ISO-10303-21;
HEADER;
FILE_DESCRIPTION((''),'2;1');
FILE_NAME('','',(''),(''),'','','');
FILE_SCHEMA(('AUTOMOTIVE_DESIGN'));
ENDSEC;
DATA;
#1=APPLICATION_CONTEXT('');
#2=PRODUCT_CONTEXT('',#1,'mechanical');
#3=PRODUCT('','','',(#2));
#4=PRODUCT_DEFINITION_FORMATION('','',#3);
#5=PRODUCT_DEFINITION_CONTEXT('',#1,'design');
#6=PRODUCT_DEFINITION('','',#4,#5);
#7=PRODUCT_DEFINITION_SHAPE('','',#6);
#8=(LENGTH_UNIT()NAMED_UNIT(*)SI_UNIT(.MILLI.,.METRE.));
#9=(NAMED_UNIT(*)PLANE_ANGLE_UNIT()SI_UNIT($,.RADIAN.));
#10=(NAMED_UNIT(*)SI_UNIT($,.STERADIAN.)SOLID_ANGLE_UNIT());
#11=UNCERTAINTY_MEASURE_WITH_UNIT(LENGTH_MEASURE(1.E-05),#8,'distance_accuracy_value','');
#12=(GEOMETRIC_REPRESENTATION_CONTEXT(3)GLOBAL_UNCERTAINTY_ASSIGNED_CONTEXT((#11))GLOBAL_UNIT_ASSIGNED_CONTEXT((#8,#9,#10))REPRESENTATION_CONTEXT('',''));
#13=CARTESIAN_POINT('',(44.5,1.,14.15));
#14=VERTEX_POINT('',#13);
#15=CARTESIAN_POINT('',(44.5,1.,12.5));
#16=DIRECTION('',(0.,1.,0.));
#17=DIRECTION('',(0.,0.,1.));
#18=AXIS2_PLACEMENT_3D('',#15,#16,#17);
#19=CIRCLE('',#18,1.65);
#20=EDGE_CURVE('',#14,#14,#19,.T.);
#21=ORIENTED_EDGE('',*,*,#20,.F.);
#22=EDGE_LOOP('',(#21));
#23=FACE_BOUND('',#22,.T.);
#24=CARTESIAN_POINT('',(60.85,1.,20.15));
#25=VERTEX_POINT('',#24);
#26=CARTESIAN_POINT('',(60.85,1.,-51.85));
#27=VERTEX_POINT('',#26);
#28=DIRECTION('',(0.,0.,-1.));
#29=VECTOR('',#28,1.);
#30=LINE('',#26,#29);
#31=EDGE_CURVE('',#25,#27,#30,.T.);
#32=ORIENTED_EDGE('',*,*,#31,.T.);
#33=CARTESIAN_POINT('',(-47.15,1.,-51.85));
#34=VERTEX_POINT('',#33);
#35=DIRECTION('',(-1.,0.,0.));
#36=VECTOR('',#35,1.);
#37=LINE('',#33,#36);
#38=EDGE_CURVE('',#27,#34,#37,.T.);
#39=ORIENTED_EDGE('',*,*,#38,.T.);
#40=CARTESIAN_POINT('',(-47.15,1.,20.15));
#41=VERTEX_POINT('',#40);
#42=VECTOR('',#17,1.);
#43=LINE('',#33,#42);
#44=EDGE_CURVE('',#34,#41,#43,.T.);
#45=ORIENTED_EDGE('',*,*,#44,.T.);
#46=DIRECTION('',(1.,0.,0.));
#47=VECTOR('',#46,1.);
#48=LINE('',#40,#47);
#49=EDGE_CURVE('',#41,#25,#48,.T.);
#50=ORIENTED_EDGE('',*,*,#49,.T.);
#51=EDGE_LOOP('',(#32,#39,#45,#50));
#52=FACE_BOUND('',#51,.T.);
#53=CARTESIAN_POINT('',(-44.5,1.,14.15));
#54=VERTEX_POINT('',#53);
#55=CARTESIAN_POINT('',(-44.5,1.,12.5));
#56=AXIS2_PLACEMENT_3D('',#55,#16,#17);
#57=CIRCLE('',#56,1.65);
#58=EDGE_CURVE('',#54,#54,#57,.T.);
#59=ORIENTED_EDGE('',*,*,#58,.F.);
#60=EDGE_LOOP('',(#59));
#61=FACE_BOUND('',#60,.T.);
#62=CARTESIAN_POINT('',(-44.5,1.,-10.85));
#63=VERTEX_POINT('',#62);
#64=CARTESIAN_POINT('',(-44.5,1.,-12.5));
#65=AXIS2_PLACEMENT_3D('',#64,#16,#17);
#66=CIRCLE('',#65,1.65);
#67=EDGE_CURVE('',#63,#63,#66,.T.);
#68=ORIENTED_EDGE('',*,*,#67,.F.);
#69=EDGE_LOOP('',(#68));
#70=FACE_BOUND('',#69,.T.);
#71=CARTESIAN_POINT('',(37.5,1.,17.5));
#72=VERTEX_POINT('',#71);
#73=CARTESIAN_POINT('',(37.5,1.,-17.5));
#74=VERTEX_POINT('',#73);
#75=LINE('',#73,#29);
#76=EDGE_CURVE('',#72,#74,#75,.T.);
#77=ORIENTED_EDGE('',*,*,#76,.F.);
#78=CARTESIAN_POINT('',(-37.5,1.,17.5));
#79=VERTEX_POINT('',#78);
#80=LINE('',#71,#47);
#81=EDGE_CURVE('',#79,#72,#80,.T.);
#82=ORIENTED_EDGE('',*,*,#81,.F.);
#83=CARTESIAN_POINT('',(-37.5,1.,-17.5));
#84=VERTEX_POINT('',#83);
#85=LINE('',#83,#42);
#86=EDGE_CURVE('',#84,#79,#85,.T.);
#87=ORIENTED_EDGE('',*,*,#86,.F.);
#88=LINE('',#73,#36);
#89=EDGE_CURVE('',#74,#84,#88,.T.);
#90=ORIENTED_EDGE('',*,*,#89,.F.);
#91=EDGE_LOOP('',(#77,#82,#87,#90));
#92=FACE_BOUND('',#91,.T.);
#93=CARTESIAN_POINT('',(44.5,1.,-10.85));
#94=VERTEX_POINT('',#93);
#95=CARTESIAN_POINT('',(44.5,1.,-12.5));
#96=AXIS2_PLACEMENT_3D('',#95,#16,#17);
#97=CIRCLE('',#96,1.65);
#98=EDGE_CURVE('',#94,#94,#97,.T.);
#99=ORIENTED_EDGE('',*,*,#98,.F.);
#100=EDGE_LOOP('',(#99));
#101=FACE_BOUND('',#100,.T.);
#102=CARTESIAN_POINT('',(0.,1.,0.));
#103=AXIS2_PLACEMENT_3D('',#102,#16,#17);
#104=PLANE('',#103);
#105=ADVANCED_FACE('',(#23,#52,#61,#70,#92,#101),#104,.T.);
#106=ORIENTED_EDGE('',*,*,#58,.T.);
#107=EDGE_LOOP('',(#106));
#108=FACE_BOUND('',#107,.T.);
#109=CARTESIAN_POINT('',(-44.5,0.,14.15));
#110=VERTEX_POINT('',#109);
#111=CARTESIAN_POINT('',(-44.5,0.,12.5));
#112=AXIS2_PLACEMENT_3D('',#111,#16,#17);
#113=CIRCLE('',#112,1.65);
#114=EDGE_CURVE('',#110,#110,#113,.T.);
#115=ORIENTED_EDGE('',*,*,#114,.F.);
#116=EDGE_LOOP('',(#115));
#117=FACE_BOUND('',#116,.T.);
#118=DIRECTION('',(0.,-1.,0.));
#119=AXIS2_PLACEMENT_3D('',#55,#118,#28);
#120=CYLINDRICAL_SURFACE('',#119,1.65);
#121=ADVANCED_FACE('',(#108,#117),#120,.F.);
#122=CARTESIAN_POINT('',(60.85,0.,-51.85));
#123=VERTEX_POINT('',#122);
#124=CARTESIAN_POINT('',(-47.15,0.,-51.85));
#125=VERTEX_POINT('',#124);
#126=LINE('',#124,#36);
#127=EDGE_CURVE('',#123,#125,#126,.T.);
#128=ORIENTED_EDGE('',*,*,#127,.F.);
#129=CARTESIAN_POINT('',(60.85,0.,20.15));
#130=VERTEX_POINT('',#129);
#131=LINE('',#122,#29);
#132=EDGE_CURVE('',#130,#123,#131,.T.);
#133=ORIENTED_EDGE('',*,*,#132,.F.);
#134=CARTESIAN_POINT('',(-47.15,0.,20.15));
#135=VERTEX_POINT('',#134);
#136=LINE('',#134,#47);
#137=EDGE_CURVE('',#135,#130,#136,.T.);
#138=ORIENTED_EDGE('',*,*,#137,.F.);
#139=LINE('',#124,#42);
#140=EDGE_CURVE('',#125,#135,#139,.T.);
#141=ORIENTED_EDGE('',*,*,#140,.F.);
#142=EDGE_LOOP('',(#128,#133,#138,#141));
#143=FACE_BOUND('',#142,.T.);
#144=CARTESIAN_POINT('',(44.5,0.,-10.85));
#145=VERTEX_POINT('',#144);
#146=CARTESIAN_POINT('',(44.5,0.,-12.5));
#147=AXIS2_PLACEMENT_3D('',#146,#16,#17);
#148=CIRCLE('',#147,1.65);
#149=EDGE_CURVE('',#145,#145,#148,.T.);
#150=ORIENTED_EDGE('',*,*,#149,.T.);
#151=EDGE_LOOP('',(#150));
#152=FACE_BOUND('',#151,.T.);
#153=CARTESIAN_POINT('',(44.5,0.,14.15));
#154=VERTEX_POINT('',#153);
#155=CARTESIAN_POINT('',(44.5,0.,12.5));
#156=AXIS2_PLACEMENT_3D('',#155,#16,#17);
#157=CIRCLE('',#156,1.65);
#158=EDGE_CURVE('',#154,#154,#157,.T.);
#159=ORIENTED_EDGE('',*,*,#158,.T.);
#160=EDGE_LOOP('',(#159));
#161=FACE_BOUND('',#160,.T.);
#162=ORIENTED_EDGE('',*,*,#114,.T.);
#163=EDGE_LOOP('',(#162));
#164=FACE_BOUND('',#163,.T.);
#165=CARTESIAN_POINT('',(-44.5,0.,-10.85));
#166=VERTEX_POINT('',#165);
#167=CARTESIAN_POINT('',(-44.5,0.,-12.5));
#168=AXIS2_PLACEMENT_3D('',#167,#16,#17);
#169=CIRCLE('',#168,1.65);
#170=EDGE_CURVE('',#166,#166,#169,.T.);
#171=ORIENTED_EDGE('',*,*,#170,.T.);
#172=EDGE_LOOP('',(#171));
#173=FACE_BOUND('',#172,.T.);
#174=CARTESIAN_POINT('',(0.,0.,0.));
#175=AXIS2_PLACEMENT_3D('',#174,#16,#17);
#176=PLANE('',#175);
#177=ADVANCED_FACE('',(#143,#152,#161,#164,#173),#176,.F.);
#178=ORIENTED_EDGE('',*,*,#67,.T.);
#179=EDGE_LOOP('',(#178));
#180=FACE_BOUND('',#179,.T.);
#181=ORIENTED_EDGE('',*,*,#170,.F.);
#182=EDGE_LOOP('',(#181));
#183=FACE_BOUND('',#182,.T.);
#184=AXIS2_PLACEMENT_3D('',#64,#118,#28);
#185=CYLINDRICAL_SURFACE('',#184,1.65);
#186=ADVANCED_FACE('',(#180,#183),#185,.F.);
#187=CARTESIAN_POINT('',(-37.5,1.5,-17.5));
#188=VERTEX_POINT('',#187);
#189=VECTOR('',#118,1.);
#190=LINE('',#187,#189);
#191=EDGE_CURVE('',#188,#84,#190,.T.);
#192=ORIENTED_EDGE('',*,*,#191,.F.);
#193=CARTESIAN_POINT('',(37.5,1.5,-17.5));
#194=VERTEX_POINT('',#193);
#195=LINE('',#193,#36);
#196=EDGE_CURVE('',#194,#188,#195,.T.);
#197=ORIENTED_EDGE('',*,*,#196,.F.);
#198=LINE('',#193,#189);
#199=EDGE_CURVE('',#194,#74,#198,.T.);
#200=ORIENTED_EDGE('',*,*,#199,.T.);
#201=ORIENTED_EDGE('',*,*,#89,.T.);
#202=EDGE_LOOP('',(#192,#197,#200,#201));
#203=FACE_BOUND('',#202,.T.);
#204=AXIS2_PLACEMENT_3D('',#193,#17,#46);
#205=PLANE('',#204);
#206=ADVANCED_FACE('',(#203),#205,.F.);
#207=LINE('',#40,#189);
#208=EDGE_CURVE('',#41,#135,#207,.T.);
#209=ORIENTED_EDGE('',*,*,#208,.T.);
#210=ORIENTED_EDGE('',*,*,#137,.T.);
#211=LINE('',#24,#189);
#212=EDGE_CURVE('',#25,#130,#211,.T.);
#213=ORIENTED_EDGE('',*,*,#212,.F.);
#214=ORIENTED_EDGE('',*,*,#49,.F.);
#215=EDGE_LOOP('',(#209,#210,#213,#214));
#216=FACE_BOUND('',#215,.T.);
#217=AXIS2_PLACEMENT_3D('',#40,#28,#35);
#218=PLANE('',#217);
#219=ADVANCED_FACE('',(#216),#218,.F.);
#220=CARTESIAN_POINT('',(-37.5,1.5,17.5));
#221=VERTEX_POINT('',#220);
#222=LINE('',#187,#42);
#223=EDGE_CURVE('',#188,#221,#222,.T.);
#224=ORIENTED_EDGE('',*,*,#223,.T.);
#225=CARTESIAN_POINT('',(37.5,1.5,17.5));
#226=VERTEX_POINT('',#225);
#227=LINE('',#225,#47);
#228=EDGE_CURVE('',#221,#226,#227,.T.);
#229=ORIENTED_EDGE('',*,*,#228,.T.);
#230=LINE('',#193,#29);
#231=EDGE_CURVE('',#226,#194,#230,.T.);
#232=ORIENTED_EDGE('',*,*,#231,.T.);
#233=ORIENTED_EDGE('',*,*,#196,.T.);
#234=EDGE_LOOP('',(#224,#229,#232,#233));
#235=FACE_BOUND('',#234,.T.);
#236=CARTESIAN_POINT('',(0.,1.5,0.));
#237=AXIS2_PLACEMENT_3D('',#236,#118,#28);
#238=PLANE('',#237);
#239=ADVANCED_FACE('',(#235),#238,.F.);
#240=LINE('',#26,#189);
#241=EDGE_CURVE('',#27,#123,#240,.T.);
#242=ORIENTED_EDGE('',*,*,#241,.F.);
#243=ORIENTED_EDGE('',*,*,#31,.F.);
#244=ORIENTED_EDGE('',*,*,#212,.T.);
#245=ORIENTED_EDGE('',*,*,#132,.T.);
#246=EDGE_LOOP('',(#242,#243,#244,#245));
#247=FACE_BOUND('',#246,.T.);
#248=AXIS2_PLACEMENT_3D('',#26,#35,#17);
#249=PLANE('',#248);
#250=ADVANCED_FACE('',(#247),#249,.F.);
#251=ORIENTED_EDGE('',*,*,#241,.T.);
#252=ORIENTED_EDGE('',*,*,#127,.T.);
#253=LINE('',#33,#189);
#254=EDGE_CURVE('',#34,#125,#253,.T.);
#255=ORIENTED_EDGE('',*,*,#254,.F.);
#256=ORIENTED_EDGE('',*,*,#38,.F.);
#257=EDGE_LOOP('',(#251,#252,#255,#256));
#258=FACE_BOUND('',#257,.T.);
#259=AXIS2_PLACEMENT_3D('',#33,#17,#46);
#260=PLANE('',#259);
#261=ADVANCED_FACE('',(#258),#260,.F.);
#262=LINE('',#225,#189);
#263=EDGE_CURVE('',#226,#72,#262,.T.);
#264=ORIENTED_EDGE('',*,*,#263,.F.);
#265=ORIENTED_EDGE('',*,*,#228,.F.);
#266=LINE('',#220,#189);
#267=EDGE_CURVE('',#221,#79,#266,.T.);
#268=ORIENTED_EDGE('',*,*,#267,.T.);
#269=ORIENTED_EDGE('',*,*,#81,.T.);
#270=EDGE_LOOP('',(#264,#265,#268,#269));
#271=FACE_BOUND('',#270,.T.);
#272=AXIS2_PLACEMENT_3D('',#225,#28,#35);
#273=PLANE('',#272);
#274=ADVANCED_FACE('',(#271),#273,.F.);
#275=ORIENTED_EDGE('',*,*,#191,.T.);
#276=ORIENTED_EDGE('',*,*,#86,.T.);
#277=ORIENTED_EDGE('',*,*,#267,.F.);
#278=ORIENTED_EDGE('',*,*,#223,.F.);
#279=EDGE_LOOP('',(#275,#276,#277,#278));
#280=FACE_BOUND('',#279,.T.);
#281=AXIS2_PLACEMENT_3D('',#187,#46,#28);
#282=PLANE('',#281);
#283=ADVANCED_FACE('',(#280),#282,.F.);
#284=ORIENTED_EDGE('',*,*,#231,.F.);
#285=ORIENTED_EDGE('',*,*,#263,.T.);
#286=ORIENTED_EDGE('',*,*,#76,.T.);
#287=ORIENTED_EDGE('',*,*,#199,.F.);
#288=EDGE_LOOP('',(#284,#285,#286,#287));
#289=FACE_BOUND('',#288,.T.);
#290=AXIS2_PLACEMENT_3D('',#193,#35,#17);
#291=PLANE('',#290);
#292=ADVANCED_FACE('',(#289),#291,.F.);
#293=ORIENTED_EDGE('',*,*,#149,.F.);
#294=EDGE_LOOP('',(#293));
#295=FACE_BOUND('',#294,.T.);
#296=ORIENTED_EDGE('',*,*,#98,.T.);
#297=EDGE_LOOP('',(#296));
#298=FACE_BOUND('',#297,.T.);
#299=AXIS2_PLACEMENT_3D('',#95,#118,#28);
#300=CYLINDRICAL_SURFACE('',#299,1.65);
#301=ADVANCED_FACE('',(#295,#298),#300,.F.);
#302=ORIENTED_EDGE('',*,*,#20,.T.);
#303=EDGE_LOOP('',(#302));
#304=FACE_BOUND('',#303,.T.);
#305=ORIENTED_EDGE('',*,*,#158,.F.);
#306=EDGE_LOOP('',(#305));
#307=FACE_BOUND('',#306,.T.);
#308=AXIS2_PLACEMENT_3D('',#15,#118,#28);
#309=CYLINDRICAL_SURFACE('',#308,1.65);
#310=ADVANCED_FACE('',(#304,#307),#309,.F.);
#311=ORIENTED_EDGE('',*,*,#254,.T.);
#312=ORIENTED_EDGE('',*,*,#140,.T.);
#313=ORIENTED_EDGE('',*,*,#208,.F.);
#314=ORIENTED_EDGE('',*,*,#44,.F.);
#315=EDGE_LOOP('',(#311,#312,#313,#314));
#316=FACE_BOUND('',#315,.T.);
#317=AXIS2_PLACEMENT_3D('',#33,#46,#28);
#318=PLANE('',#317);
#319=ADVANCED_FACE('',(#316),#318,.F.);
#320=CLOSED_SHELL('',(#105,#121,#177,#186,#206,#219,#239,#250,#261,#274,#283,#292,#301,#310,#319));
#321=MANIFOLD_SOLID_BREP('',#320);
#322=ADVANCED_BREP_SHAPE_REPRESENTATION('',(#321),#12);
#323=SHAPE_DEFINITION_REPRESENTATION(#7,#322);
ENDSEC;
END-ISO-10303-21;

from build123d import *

# Parameters (mm, degrees)
SKETCH1_W           = 108
SKETCH1_H           = 72
SKETCH1_R           = 1.65
BOSS_EXTRUDE1_DEPTH = 1
SKETCH2_W           = 75
SKETCH2_H           = 35
BOSS_EXTRUDE2_DEPTH = 0.5


with BuildPart() as part:
    # Sketch1 → Boss-Extrude1 (new body)
    with BuildSketch(Plane(origin=(0, 0, 0), x_dir=(1, 0, 0), z_dir=(0, 1, 0))):
        with Locations((6.85, 15.85)):
            Rectangle(SKETCH1_W, SKETCH1_H)
        with Locations(Location((-44.5, 12.5, 0), (0, 0, 270))):
            Circle(SKETCH1_R, mode=Mode.SUBTRACT)
        with Locations(Location((-44.5, -12.5, 0), (0, 0, 270))):
            Circle(SKETCH1_R, mode=Mode.SUBTRACT)
        with Locations(Location((44.5, 12.5, 0), (0, 0, 270))):
            Circle(SKETCH1_R, mode=Mode.SUBTRACT)
        with Locations(Location((44.5, -12.5, 0), (0, 0, 270))):
            Circle(SKETCH1_R, mode=Mode.SUBTRACT)
    extrude(amount=BOSS_EXTRUDE1_DEPTH)

    # Sketch2 → Boss-Extrude2 (add)
    with BuildSketch(Plane(origin=(0, 1, 0), x_dir=(1, 0, 0), z_dir=(0, 1, 0))):
        Rectangle(SKETCH2_W, SKETCH2_H)
    extrude(amount=BOSS_EXTRUDE2_DEPTH)


solid = part.part
